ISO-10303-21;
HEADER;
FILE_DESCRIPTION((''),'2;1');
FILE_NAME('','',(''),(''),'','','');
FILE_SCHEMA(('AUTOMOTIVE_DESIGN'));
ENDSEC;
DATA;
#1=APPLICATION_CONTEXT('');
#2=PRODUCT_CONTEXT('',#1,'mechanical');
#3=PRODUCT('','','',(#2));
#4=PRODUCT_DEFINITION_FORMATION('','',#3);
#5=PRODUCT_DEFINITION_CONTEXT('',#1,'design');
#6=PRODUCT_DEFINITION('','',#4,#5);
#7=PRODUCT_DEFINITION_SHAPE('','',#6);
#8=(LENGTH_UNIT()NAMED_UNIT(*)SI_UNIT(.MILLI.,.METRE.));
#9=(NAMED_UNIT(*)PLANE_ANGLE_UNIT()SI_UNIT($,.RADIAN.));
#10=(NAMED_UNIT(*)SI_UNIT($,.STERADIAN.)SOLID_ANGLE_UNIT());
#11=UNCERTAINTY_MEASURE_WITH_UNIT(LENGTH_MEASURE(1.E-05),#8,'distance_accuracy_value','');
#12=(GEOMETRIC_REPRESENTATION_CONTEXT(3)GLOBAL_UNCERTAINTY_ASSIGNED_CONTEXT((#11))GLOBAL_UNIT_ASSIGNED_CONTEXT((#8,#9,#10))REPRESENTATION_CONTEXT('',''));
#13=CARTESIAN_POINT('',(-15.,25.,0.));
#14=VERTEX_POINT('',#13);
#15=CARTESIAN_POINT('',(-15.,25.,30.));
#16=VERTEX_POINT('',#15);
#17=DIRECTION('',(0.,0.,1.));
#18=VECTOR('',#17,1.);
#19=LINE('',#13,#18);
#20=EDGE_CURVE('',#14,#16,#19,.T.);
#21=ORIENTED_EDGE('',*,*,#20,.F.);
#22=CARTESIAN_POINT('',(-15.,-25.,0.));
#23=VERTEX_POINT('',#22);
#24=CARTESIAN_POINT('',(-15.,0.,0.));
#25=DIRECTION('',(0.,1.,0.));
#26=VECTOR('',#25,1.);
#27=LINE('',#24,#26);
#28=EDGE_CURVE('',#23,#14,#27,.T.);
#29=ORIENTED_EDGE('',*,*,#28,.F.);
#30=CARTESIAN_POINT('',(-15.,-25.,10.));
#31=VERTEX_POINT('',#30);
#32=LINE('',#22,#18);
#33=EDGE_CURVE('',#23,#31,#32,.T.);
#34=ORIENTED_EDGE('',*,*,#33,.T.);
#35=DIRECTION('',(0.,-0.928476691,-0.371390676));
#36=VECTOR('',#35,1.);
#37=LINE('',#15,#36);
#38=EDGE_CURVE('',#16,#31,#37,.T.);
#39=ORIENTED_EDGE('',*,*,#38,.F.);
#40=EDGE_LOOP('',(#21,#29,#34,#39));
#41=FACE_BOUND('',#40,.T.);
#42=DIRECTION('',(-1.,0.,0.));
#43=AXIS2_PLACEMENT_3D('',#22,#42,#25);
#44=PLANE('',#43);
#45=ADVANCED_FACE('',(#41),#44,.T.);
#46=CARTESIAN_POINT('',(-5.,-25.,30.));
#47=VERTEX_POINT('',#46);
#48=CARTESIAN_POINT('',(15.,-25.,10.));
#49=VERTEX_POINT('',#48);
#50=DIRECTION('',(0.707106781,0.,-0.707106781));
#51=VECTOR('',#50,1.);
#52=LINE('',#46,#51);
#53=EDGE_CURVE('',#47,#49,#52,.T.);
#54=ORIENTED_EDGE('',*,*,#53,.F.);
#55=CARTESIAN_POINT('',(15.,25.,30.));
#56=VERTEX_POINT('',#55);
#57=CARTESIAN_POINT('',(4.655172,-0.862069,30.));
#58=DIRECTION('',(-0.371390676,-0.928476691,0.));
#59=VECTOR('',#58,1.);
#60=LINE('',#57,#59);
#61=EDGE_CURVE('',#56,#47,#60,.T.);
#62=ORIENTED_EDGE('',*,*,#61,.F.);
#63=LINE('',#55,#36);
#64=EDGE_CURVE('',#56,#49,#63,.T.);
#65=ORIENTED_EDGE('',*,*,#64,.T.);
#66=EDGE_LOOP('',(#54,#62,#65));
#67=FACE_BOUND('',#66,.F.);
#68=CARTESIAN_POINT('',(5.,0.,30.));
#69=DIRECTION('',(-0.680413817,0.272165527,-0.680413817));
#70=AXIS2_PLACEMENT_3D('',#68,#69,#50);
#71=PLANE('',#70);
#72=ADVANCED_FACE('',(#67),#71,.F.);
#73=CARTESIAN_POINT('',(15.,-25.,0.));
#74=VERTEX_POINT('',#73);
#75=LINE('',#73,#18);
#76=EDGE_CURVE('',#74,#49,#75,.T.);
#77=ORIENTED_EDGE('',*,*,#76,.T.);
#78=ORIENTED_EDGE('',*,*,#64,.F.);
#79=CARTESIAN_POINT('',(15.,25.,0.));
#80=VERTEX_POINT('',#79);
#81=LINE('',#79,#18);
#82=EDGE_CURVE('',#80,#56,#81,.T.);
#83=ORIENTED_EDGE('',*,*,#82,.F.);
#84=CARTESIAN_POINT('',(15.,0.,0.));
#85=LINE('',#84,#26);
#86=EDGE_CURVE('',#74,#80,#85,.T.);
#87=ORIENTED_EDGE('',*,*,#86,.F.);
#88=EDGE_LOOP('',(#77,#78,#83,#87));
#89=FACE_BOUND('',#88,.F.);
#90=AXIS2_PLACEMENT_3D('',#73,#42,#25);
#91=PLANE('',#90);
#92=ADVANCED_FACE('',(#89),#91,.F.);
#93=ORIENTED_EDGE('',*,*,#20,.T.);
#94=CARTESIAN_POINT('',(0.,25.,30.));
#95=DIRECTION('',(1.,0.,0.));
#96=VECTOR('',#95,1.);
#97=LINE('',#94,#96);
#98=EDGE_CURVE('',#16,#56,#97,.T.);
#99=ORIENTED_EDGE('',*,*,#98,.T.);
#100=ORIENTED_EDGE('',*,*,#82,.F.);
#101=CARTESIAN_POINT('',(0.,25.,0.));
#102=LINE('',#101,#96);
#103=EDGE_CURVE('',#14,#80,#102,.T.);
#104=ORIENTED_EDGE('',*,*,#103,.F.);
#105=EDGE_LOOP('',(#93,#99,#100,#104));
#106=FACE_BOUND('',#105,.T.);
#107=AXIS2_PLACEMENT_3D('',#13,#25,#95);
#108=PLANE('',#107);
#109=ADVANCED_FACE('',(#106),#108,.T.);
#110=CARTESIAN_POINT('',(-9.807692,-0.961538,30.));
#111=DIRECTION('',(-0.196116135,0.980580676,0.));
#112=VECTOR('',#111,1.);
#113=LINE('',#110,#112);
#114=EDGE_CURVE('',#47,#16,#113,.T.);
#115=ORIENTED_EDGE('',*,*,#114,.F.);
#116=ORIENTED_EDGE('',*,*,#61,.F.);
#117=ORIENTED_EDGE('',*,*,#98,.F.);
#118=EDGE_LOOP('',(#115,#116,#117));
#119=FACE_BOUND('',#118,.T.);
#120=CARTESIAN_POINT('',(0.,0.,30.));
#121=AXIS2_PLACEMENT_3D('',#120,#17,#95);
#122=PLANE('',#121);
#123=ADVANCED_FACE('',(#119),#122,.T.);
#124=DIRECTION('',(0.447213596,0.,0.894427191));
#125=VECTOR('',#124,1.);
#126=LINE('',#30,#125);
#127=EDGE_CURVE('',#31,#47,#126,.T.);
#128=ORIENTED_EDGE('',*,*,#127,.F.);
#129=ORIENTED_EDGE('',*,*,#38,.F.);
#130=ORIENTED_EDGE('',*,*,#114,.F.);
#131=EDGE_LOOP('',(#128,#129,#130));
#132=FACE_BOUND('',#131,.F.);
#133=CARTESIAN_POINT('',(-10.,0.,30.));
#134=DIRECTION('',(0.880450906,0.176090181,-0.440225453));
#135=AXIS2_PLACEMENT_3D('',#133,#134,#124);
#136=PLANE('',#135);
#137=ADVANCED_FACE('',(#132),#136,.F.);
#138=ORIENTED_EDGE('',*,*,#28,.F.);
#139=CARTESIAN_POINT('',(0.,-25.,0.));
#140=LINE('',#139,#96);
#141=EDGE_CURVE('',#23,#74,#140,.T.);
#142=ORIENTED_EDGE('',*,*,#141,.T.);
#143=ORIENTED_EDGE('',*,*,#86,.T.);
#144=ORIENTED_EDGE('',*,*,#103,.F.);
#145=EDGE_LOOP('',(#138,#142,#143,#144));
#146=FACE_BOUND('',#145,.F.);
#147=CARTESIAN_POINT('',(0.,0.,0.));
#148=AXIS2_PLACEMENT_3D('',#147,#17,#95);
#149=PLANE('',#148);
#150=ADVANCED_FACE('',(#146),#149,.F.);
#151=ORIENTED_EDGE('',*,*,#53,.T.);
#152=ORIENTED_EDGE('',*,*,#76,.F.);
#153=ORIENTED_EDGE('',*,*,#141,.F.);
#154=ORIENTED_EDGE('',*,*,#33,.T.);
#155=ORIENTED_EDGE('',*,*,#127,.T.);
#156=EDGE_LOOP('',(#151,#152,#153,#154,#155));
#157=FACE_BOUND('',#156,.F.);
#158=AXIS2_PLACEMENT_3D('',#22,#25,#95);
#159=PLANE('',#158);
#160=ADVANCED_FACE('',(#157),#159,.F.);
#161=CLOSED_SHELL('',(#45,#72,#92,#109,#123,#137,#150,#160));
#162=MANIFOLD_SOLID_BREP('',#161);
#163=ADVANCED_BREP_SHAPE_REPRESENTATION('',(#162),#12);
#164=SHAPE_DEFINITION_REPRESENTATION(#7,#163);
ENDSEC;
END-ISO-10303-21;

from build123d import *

# Parameters (mm, degrees)
F0_W     = 30
F0_H     = 50
F1_DEPTH = 30


with BuildPart() as f1:
    # F0 (on Top) → F1 (new body)
    with BuildSketch(Plane.XY):
        Rectangle(F0_W, F0_H)
    extrude(amount=F1_DEPTH)

    # F4: sweep along a path in F3
    with BuildLine(Plane.YZ.offset(15)) as f4_path:
        Line((25, 30), (-25, 10))
    # F2 (on face) → F4 (sweep, cut)
    with BuildSketch(Plane.XZ.offset(25)):
        Polygon((15, 30), (-5, 30), (15, 10), align=None)
        Polygon((-15, 30), (-15, 10), (-5, 30), align=None)
    sweep(path=f4_path.line, mode=Mode.SUBTRACT)


solid = f1.part
